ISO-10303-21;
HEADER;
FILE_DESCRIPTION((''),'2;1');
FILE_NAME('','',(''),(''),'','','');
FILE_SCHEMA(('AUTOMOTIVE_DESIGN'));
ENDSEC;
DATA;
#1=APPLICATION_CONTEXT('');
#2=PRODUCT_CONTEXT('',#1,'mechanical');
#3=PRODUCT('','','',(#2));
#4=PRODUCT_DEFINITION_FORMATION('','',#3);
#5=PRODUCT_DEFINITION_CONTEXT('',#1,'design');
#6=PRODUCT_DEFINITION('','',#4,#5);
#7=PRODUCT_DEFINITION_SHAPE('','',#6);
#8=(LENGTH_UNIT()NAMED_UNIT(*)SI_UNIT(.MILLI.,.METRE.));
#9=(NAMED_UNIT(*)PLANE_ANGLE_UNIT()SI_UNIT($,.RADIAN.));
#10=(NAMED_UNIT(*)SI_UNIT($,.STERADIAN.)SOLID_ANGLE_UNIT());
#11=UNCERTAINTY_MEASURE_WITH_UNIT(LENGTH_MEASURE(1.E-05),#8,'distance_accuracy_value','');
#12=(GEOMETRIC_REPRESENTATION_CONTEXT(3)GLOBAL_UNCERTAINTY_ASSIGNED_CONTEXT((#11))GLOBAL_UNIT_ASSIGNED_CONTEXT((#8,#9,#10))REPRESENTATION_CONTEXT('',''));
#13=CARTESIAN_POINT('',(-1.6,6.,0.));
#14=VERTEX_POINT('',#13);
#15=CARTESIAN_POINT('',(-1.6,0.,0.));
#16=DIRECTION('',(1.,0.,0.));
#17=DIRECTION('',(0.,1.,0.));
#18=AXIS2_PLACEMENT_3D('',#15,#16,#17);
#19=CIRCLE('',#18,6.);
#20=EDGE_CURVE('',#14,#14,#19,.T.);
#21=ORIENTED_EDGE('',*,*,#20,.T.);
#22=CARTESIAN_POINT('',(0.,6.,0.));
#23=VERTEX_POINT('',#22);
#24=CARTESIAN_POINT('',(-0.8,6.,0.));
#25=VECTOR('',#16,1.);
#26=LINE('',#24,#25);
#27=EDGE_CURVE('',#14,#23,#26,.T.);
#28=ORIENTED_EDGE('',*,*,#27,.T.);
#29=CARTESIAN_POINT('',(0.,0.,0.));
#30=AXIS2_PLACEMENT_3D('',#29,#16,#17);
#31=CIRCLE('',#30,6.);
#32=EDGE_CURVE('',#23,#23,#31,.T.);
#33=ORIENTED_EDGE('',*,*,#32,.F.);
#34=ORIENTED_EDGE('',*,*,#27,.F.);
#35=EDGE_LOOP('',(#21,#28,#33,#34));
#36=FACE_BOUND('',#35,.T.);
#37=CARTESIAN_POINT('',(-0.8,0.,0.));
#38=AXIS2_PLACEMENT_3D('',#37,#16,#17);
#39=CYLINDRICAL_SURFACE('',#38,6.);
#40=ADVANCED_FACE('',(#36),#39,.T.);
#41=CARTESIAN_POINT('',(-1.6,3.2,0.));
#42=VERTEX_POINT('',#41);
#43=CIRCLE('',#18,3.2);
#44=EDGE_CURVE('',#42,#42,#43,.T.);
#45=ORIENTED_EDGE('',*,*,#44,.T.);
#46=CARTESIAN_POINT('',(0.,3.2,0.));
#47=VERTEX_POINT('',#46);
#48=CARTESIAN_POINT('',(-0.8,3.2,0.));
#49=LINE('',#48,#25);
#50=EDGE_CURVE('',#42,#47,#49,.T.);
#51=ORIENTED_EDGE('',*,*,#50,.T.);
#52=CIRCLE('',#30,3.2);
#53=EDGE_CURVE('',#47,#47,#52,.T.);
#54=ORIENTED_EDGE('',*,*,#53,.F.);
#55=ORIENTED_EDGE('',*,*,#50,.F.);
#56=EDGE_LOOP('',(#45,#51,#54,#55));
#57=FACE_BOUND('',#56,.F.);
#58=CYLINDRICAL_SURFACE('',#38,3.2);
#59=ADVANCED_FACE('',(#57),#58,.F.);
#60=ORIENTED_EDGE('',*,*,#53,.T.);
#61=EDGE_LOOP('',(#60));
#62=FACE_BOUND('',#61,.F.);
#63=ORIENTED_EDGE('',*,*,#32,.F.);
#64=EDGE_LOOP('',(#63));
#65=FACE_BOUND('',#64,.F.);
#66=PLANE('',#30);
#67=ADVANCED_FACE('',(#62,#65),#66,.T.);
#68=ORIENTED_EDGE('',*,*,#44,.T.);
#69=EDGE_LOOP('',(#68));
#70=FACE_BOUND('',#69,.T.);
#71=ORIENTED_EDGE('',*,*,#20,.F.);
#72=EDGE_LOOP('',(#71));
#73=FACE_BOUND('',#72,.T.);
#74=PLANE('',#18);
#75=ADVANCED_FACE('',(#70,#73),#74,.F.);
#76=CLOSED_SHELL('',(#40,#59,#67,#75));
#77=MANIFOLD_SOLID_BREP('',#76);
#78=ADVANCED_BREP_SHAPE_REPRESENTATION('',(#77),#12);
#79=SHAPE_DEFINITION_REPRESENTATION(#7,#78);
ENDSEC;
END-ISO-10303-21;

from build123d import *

# Parameters (mm, degrees)
SKETCH1_W = 1.6
SKETCH1_H = 2.8


with BuildPart() as part:
    # Sketch1 → Base-Revolve (revolve)
    with BuildSketch(Plane.XY):
        with Locations((-0.8, 4.6)):
            Rectangle(SKETCH1_W, SKETCH1_H)
    revolve(axis=Axis((-34.925, 0, 0), (1, 0, 0)))


solid = part.part
